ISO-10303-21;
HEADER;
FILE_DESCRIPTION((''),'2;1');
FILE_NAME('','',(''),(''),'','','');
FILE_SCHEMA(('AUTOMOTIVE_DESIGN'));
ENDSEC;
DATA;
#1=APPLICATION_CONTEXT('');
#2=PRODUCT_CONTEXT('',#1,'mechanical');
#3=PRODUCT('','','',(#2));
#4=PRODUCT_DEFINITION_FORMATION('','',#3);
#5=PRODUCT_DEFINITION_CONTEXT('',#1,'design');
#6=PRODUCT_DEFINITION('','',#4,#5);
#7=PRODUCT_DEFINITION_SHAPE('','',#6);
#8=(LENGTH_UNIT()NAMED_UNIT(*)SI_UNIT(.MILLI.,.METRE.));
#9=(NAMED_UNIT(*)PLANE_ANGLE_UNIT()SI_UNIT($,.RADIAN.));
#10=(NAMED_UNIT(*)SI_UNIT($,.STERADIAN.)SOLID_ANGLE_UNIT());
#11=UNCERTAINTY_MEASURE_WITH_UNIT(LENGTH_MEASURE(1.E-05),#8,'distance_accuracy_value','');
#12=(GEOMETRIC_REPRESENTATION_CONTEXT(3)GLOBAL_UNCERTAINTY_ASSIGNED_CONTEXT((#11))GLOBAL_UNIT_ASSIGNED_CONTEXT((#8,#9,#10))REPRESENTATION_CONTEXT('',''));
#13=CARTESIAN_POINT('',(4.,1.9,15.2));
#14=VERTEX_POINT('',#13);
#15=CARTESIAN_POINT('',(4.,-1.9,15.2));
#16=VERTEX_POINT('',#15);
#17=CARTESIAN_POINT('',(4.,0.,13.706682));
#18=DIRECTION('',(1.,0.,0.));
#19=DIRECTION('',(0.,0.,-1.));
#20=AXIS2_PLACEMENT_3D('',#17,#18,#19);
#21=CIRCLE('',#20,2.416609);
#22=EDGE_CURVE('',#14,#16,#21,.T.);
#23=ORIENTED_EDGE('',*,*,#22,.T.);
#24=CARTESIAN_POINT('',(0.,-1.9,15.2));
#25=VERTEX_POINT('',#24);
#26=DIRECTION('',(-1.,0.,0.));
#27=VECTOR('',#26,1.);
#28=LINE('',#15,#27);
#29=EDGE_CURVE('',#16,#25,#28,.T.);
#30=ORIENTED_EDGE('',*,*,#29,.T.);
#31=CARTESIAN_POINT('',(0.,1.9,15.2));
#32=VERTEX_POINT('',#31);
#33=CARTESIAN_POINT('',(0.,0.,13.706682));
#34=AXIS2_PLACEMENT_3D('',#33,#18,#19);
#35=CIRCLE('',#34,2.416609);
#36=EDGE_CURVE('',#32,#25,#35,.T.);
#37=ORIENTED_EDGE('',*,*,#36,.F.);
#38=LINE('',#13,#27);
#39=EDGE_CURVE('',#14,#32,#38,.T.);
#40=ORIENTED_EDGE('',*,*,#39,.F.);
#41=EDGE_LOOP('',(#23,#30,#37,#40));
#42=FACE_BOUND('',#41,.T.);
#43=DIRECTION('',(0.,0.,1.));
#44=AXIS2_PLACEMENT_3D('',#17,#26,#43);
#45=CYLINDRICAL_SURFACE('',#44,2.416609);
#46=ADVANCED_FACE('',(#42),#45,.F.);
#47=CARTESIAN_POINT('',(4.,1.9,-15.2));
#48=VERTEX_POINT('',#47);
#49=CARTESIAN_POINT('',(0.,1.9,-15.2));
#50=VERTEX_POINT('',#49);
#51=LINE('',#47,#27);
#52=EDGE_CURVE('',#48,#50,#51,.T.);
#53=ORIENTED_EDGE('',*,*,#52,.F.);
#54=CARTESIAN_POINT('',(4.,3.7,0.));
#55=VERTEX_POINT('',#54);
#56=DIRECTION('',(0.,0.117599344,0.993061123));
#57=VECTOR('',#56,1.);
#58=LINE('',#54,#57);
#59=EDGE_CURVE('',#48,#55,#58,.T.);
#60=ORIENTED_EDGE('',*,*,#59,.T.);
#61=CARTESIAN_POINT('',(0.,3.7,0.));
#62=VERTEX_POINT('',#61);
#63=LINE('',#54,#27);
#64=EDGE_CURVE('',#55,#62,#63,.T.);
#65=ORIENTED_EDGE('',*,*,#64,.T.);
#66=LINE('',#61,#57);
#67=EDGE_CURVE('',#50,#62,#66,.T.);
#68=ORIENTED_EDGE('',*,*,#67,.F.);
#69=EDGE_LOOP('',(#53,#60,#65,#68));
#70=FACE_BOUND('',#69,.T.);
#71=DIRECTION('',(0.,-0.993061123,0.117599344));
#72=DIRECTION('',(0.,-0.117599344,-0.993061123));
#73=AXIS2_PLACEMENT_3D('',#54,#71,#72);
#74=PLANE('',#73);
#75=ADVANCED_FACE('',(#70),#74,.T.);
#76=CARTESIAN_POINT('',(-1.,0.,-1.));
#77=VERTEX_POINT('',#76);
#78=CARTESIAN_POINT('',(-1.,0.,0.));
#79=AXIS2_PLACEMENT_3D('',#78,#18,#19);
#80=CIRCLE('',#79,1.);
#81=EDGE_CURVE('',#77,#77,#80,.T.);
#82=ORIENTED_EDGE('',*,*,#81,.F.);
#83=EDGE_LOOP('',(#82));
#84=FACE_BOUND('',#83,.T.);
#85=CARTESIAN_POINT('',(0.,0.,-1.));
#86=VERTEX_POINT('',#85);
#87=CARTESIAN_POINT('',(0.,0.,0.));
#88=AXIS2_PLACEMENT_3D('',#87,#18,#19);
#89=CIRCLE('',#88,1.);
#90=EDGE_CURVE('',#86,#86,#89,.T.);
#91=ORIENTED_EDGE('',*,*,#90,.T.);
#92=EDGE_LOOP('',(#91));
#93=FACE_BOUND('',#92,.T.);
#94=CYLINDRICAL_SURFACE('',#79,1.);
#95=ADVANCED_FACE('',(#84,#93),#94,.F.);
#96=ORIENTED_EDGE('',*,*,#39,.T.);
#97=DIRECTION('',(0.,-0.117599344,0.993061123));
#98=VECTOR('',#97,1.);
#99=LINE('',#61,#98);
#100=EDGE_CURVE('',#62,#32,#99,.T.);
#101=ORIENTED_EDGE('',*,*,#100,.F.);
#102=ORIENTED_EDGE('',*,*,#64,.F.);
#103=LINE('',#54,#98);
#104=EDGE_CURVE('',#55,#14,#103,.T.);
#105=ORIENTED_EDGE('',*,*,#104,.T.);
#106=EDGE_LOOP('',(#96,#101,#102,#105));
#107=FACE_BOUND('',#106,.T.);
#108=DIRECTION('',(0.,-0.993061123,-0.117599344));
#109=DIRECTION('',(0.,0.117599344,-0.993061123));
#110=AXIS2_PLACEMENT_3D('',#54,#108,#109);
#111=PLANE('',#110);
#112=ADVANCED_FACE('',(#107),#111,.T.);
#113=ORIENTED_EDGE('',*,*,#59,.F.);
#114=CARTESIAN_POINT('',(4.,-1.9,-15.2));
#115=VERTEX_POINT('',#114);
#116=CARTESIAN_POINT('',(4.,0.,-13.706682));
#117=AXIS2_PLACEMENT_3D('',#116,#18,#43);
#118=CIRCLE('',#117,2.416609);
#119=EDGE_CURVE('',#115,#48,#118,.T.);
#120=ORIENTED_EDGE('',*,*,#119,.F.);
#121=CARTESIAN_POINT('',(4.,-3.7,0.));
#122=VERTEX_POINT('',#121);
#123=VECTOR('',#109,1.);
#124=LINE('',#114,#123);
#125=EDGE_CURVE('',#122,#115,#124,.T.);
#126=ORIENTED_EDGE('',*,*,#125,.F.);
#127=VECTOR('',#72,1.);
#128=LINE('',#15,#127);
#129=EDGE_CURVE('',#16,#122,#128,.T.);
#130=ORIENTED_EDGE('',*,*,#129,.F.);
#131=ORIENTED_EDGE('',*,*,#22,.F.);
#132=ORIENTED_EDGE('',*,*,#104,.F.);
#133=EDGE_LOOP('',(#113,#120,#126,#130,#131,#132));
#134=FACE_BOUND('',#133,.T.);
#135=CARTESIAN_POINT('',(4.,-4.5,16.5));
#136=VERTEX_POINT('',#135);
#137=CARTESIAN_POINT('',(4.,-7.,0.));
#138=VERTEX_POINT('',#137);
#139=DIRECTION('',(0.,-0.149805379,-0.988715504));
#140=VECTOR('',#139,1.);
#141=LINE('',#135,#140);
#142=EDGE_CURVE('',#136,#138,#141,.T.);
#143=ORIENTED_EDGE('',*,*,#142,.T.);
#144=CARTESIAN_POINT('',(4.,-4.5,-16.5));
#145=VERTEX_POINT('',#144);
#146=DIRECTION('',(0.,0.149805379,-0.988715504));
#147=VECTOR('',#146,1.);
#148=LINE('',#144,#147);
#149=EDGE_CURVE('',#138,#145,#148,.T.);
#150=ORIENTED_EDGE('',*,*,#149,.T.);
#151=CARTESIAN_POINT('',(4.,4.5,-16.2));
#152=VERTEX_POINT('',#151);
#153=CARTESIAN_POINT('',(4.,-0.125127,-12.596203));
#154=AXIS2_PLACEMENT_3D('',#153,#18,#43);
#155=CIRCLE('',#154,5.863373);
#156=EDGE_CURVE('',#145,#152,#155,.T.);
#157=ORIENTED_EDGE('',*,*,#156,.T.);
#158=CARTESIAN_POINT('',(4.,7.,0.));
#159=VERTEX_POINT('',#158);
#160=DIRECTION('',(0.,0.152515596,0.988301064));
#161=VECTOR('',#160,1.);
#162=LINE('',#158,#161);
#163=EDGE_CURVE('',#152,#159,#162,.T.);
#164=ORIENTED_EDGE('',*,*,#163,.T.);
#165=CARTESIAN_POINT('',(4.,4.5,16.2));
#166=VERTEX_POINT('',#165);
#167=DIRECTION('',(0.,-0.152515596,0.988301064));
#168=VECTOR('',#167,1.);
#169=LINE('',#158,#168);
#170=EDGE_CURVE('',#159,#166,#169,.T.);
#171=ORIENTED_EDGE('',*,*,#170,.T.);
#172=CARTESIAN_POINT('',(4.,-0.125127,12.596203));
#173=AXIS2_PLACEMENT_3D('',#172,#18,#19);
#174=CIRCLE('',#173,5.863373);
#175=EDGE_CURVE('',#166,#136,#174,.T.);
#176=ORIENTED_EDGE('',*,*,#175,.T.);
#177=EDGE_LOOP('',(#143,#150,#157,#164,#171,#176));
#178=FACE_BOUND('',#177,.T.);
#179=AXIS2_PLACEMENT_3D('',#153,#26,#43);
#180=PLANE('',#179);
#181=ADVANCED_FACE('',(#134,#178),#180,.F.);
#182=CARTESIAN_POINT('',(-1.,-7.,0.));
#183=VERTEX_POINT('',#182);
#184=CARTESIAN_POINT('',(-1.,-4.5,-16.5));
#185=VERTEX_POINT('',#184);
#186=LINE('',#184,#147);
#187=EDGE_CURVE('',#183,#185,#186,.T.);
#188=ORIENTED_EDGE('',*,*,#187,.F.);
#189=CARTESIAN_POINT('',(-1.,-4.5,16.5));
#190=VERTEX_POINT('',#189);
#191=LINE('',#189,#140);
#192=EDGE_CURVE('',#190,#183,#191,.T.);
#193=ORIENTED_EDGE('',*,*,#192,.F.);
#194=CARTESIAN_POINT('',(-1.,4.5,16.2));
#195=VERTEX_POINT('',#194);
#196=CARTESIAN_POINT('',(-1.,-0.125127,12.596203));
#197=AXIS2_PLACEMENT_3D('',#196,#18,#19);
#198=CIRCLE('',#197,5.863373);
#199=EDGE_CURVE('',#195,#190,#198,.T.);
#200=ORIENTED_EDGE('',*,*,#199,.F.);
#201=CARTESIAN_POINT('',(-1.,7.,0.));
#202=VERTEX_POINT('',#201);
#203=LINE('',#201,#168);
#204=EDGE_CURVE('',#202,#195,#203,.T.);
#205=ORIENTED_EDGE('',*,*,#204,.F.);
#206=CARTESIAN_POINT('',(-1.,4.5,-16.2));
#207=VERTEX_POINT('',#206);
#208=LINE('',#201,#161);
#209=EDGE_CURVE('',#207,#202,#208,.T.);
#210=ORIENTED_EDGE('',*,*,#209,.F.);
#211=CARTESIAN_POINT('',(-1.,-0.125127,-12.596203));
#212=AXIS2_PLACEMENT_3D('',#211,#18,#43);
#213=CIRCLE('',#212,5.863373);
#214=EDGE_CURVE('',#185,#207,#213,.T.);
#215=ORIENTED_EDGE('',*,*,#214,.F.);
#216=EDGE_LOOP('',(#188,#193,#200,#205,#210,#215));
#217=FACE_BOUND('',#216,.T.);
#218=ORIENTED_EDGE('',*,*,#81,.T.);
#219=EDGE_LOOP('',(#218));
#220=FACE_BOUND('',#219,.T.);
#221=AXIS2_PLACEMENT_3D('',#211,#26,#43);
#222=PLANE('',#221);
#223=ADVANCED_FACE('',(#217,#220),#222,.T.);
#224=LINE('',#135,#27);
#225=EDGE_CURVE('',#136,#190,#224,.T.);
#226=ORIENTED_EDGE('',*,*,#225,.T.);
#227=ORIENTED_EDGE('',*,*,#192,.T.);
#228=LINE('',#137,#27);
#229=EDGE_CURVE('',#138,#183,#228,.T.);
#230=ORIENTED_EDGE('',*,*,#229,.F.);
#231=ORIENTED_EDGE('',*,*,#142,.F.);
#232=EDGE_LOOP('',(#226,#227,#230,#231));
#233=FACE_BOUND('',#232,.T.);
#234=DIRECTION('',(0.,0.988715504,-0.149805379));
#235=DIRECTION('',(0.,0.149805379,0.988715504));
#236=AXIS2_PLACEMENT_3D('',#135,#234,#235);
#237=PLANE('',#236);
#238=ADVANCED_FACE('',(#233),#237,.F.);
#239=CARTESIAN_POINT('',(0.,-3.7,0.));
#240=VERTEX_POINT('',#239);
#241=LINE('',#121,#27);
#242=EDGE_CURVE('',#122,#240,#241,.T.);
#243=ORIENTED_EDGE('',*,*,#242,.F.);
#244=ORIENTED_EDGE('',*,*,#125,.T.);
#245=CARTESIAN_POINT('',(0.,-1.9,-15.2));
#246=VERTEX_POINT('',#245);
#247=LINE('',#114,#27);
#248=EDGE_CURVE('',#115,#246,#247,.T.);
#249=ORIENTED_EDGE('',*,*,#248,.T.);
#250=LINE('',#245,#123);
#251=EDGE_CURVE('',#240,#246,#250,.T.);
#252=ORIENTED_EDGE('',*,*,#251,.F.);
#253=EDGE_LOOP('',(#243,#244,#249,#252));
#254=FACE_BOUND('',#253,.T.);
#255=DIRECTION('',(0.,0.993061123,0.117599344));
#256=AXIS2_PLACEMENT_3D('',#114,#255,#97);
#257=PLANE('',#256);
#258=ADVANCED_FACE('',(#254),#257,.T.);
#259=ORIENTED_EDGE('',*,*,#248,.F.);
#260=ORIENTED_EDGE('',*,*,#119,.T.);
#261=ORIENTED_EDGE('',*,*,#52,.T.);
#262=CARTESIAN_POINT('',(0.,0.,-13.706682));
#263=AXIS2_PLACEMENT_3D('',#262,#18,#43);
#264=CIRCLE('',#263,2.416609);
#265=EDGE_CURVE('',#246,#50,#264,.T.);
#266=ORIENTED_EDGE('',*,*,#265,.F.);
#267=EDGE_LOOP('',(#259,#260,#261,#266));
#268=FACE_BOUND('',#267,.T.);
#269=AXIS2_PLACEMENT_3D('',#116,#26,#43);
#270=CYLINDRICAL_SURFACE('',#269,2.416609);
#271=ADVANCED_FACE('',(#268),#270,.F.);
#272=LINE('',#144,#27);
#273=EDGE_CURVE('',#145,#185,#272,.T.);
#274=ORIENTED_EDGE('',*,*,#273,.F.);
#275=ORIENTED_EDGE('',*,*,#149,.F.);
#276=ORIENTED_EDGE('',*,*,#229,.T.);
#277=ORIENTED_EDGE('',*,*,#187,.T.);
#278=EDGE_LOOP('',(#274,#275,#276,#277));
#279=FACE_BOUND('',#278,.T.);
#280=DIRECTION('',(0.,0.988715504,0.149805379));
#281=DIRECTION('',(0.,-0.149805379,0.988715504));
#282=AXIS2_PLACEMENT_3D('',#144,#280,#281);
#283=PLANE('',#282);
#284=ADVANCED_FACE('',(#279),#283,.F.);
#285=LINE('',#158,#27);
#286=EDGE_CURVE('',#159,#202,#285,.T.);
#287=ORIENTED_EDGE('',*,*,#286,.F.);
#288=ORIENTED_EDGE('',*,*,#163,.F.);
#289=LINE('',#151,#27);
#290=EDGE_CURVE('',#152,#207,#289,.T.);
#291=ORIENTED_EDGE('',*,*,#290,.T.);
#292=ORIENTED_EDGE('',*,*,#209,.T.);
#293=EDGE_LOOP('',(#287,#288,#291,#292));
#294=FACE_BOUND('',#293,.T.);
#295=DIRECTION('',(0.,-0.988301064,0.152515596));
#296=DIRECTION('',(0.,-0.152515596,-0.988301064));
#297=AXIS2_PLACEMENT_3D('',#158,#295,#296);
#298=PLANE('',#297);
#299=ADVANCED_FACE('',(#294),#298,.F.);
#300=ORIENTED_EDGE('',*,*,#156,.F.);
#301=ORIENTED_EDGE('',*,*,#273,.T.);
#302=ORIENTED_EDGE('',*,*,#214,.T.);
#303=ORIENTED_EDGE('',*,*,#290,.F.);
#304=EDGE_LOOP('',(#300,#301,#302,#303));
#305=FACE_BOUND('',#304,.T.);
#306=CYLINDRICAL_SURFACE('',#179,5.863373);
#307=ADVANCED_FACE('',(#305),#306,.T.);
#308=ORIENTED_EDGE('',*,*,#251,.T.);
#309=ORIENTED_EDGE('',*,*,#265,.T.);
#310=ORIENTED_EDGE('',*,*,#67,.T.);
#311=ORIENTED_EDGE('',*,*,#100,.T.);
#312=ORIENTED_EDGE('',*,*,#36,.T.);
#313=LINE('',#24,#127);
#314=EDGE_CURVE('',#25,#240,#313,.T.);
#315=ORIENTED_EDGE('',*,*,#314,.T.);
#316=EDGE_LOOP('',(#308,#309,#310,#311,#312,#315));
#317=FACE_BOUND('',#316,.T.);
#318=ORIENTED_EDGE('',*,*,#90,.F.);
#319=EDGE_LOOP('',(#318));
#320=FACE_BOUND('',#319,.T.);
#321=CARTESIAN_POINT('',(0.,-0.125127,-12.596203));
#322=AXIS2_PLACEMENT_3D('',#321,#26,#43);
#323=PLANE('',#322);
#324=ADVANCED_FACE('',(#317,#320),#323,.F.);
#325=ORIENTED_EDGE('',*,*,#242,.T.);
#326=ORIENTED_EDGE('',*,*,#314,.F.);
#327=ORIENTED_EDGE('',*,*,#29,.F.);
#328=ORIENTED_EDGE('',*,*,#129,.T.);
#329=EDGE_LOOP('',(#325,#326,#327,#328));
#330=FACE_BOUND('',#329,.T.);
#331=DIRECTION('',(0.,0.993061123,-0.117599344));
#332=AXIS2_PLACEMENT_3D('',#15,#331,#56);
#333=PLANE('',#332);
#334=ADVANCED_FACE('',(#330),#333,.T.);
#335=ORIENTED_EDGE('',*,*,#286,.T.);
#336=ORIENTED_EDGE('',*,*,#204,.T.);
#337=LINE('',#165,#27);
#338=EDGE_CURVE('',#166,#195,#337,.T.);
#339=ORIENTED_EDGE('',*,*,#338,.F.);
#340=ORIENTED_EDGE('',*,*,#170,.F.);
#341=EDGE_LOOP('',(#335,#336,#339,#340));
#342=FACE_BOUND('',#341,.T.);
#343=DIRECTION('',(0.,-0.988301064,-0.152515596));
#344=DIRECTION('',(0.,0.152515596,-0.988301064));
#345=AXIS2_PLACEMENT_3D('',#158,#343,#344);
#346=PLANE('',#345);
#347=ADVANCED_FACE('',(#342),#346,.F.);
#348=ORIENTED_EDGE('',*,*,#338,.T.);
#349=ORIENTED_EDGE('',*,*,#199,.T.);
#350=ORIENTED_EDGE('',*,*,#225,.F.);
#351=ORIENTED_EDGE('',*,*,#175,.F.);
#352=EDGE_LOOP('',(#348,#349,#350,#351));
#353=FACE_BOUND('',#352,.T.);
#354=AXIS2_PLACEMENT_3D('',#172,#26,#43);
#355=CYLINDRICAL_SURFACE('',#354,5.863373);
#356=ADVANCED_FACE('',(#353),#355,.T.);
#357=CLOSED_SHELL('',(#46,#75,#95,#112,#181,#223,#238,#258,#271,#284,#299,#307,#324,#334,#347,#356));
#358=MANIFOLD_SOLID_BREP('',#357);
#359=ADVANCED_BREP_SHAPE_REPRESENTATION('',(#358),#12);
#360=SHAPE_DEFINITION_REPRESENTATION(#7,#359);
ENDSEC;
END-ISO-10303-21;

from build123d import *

# Parameters (mm, degrees)
BOSS_EXTRUDE1_DEPTH = 4
SKETCH2_R           = 1
BOSS_EXTRUDE2_DEPTH = 1


with BuildPart() as part:
    # Sketch1 → Boss-Extrude1 (new body)
    with BuildSketch(Plane(origin=(0, 0, 0), x_dir=(0, 0, -1), z_dir=(1, 0, 0))):
        with BuildLine():
            Line((0, 7), (-16.2, 4.5))
            ThreePointArc((-16.2, 4.5), (-18.456321812, 0.070210727), (-16.5, -4.5))
            Line((-16.5, -4.5), (0, -7))
            Line((0, -7), (16.5, -4.5))
            ThreePointArc((16.5, -4.5), (18.456321812, 0.070210727), (16.2, 4.5))
            Line((16.2, 4.5), (0, 7))
        make_face()
        with BuildLine():
            Line((0, 3.7), (-15.2, 1.9))
            ThreePointArc((-15.2, 1.9), (-16.123290742, 0), (-15.2, -1.9))
            Line((-15.2, -1.9), (0, -3.7))
            Line((0, -3.7), (15.2, -1.9))
            ThreePointArc((15.2, -1.9), (16.123290742, 0), (15.2, 1.9))
            Line((15.2, 1.9), (0, 3.7))
        make_face(mode=Mode.SUBTRACT)
    extrude(amount=BOSS_EXTRUDE1_DEPTH)

    # Sketch2 → Boss-Extrude2 (add)
    with BuildSketch(Plane(origin=(0, 0, 0), x_dir=(0, 0, -1), z_dir=(1, 0, 0))):
        with BuildLine():
            Line((0, 7), (-16.2, 4.5))
            ThreePointArc((-16.2, 4.5), (-18.456321812, 0.070210727), (-16.5, -4.5))
            Line((-16.5, -4.5), (0, -7))
            Line((0, -7), (16.5, -4.5))
            ThreePointArc((16.5, -4.5), (18.456321812, 0.070210727), (16.2, 4.5))
            Line((16.2, 4.5), (0, 7))
        make_face()
        Circle(SKETCH2_R, mode=Mode.SUBTRACT)
    extrude(amount=-BOSS_EXTRUDE2_DEPTH)


solid = part.part
